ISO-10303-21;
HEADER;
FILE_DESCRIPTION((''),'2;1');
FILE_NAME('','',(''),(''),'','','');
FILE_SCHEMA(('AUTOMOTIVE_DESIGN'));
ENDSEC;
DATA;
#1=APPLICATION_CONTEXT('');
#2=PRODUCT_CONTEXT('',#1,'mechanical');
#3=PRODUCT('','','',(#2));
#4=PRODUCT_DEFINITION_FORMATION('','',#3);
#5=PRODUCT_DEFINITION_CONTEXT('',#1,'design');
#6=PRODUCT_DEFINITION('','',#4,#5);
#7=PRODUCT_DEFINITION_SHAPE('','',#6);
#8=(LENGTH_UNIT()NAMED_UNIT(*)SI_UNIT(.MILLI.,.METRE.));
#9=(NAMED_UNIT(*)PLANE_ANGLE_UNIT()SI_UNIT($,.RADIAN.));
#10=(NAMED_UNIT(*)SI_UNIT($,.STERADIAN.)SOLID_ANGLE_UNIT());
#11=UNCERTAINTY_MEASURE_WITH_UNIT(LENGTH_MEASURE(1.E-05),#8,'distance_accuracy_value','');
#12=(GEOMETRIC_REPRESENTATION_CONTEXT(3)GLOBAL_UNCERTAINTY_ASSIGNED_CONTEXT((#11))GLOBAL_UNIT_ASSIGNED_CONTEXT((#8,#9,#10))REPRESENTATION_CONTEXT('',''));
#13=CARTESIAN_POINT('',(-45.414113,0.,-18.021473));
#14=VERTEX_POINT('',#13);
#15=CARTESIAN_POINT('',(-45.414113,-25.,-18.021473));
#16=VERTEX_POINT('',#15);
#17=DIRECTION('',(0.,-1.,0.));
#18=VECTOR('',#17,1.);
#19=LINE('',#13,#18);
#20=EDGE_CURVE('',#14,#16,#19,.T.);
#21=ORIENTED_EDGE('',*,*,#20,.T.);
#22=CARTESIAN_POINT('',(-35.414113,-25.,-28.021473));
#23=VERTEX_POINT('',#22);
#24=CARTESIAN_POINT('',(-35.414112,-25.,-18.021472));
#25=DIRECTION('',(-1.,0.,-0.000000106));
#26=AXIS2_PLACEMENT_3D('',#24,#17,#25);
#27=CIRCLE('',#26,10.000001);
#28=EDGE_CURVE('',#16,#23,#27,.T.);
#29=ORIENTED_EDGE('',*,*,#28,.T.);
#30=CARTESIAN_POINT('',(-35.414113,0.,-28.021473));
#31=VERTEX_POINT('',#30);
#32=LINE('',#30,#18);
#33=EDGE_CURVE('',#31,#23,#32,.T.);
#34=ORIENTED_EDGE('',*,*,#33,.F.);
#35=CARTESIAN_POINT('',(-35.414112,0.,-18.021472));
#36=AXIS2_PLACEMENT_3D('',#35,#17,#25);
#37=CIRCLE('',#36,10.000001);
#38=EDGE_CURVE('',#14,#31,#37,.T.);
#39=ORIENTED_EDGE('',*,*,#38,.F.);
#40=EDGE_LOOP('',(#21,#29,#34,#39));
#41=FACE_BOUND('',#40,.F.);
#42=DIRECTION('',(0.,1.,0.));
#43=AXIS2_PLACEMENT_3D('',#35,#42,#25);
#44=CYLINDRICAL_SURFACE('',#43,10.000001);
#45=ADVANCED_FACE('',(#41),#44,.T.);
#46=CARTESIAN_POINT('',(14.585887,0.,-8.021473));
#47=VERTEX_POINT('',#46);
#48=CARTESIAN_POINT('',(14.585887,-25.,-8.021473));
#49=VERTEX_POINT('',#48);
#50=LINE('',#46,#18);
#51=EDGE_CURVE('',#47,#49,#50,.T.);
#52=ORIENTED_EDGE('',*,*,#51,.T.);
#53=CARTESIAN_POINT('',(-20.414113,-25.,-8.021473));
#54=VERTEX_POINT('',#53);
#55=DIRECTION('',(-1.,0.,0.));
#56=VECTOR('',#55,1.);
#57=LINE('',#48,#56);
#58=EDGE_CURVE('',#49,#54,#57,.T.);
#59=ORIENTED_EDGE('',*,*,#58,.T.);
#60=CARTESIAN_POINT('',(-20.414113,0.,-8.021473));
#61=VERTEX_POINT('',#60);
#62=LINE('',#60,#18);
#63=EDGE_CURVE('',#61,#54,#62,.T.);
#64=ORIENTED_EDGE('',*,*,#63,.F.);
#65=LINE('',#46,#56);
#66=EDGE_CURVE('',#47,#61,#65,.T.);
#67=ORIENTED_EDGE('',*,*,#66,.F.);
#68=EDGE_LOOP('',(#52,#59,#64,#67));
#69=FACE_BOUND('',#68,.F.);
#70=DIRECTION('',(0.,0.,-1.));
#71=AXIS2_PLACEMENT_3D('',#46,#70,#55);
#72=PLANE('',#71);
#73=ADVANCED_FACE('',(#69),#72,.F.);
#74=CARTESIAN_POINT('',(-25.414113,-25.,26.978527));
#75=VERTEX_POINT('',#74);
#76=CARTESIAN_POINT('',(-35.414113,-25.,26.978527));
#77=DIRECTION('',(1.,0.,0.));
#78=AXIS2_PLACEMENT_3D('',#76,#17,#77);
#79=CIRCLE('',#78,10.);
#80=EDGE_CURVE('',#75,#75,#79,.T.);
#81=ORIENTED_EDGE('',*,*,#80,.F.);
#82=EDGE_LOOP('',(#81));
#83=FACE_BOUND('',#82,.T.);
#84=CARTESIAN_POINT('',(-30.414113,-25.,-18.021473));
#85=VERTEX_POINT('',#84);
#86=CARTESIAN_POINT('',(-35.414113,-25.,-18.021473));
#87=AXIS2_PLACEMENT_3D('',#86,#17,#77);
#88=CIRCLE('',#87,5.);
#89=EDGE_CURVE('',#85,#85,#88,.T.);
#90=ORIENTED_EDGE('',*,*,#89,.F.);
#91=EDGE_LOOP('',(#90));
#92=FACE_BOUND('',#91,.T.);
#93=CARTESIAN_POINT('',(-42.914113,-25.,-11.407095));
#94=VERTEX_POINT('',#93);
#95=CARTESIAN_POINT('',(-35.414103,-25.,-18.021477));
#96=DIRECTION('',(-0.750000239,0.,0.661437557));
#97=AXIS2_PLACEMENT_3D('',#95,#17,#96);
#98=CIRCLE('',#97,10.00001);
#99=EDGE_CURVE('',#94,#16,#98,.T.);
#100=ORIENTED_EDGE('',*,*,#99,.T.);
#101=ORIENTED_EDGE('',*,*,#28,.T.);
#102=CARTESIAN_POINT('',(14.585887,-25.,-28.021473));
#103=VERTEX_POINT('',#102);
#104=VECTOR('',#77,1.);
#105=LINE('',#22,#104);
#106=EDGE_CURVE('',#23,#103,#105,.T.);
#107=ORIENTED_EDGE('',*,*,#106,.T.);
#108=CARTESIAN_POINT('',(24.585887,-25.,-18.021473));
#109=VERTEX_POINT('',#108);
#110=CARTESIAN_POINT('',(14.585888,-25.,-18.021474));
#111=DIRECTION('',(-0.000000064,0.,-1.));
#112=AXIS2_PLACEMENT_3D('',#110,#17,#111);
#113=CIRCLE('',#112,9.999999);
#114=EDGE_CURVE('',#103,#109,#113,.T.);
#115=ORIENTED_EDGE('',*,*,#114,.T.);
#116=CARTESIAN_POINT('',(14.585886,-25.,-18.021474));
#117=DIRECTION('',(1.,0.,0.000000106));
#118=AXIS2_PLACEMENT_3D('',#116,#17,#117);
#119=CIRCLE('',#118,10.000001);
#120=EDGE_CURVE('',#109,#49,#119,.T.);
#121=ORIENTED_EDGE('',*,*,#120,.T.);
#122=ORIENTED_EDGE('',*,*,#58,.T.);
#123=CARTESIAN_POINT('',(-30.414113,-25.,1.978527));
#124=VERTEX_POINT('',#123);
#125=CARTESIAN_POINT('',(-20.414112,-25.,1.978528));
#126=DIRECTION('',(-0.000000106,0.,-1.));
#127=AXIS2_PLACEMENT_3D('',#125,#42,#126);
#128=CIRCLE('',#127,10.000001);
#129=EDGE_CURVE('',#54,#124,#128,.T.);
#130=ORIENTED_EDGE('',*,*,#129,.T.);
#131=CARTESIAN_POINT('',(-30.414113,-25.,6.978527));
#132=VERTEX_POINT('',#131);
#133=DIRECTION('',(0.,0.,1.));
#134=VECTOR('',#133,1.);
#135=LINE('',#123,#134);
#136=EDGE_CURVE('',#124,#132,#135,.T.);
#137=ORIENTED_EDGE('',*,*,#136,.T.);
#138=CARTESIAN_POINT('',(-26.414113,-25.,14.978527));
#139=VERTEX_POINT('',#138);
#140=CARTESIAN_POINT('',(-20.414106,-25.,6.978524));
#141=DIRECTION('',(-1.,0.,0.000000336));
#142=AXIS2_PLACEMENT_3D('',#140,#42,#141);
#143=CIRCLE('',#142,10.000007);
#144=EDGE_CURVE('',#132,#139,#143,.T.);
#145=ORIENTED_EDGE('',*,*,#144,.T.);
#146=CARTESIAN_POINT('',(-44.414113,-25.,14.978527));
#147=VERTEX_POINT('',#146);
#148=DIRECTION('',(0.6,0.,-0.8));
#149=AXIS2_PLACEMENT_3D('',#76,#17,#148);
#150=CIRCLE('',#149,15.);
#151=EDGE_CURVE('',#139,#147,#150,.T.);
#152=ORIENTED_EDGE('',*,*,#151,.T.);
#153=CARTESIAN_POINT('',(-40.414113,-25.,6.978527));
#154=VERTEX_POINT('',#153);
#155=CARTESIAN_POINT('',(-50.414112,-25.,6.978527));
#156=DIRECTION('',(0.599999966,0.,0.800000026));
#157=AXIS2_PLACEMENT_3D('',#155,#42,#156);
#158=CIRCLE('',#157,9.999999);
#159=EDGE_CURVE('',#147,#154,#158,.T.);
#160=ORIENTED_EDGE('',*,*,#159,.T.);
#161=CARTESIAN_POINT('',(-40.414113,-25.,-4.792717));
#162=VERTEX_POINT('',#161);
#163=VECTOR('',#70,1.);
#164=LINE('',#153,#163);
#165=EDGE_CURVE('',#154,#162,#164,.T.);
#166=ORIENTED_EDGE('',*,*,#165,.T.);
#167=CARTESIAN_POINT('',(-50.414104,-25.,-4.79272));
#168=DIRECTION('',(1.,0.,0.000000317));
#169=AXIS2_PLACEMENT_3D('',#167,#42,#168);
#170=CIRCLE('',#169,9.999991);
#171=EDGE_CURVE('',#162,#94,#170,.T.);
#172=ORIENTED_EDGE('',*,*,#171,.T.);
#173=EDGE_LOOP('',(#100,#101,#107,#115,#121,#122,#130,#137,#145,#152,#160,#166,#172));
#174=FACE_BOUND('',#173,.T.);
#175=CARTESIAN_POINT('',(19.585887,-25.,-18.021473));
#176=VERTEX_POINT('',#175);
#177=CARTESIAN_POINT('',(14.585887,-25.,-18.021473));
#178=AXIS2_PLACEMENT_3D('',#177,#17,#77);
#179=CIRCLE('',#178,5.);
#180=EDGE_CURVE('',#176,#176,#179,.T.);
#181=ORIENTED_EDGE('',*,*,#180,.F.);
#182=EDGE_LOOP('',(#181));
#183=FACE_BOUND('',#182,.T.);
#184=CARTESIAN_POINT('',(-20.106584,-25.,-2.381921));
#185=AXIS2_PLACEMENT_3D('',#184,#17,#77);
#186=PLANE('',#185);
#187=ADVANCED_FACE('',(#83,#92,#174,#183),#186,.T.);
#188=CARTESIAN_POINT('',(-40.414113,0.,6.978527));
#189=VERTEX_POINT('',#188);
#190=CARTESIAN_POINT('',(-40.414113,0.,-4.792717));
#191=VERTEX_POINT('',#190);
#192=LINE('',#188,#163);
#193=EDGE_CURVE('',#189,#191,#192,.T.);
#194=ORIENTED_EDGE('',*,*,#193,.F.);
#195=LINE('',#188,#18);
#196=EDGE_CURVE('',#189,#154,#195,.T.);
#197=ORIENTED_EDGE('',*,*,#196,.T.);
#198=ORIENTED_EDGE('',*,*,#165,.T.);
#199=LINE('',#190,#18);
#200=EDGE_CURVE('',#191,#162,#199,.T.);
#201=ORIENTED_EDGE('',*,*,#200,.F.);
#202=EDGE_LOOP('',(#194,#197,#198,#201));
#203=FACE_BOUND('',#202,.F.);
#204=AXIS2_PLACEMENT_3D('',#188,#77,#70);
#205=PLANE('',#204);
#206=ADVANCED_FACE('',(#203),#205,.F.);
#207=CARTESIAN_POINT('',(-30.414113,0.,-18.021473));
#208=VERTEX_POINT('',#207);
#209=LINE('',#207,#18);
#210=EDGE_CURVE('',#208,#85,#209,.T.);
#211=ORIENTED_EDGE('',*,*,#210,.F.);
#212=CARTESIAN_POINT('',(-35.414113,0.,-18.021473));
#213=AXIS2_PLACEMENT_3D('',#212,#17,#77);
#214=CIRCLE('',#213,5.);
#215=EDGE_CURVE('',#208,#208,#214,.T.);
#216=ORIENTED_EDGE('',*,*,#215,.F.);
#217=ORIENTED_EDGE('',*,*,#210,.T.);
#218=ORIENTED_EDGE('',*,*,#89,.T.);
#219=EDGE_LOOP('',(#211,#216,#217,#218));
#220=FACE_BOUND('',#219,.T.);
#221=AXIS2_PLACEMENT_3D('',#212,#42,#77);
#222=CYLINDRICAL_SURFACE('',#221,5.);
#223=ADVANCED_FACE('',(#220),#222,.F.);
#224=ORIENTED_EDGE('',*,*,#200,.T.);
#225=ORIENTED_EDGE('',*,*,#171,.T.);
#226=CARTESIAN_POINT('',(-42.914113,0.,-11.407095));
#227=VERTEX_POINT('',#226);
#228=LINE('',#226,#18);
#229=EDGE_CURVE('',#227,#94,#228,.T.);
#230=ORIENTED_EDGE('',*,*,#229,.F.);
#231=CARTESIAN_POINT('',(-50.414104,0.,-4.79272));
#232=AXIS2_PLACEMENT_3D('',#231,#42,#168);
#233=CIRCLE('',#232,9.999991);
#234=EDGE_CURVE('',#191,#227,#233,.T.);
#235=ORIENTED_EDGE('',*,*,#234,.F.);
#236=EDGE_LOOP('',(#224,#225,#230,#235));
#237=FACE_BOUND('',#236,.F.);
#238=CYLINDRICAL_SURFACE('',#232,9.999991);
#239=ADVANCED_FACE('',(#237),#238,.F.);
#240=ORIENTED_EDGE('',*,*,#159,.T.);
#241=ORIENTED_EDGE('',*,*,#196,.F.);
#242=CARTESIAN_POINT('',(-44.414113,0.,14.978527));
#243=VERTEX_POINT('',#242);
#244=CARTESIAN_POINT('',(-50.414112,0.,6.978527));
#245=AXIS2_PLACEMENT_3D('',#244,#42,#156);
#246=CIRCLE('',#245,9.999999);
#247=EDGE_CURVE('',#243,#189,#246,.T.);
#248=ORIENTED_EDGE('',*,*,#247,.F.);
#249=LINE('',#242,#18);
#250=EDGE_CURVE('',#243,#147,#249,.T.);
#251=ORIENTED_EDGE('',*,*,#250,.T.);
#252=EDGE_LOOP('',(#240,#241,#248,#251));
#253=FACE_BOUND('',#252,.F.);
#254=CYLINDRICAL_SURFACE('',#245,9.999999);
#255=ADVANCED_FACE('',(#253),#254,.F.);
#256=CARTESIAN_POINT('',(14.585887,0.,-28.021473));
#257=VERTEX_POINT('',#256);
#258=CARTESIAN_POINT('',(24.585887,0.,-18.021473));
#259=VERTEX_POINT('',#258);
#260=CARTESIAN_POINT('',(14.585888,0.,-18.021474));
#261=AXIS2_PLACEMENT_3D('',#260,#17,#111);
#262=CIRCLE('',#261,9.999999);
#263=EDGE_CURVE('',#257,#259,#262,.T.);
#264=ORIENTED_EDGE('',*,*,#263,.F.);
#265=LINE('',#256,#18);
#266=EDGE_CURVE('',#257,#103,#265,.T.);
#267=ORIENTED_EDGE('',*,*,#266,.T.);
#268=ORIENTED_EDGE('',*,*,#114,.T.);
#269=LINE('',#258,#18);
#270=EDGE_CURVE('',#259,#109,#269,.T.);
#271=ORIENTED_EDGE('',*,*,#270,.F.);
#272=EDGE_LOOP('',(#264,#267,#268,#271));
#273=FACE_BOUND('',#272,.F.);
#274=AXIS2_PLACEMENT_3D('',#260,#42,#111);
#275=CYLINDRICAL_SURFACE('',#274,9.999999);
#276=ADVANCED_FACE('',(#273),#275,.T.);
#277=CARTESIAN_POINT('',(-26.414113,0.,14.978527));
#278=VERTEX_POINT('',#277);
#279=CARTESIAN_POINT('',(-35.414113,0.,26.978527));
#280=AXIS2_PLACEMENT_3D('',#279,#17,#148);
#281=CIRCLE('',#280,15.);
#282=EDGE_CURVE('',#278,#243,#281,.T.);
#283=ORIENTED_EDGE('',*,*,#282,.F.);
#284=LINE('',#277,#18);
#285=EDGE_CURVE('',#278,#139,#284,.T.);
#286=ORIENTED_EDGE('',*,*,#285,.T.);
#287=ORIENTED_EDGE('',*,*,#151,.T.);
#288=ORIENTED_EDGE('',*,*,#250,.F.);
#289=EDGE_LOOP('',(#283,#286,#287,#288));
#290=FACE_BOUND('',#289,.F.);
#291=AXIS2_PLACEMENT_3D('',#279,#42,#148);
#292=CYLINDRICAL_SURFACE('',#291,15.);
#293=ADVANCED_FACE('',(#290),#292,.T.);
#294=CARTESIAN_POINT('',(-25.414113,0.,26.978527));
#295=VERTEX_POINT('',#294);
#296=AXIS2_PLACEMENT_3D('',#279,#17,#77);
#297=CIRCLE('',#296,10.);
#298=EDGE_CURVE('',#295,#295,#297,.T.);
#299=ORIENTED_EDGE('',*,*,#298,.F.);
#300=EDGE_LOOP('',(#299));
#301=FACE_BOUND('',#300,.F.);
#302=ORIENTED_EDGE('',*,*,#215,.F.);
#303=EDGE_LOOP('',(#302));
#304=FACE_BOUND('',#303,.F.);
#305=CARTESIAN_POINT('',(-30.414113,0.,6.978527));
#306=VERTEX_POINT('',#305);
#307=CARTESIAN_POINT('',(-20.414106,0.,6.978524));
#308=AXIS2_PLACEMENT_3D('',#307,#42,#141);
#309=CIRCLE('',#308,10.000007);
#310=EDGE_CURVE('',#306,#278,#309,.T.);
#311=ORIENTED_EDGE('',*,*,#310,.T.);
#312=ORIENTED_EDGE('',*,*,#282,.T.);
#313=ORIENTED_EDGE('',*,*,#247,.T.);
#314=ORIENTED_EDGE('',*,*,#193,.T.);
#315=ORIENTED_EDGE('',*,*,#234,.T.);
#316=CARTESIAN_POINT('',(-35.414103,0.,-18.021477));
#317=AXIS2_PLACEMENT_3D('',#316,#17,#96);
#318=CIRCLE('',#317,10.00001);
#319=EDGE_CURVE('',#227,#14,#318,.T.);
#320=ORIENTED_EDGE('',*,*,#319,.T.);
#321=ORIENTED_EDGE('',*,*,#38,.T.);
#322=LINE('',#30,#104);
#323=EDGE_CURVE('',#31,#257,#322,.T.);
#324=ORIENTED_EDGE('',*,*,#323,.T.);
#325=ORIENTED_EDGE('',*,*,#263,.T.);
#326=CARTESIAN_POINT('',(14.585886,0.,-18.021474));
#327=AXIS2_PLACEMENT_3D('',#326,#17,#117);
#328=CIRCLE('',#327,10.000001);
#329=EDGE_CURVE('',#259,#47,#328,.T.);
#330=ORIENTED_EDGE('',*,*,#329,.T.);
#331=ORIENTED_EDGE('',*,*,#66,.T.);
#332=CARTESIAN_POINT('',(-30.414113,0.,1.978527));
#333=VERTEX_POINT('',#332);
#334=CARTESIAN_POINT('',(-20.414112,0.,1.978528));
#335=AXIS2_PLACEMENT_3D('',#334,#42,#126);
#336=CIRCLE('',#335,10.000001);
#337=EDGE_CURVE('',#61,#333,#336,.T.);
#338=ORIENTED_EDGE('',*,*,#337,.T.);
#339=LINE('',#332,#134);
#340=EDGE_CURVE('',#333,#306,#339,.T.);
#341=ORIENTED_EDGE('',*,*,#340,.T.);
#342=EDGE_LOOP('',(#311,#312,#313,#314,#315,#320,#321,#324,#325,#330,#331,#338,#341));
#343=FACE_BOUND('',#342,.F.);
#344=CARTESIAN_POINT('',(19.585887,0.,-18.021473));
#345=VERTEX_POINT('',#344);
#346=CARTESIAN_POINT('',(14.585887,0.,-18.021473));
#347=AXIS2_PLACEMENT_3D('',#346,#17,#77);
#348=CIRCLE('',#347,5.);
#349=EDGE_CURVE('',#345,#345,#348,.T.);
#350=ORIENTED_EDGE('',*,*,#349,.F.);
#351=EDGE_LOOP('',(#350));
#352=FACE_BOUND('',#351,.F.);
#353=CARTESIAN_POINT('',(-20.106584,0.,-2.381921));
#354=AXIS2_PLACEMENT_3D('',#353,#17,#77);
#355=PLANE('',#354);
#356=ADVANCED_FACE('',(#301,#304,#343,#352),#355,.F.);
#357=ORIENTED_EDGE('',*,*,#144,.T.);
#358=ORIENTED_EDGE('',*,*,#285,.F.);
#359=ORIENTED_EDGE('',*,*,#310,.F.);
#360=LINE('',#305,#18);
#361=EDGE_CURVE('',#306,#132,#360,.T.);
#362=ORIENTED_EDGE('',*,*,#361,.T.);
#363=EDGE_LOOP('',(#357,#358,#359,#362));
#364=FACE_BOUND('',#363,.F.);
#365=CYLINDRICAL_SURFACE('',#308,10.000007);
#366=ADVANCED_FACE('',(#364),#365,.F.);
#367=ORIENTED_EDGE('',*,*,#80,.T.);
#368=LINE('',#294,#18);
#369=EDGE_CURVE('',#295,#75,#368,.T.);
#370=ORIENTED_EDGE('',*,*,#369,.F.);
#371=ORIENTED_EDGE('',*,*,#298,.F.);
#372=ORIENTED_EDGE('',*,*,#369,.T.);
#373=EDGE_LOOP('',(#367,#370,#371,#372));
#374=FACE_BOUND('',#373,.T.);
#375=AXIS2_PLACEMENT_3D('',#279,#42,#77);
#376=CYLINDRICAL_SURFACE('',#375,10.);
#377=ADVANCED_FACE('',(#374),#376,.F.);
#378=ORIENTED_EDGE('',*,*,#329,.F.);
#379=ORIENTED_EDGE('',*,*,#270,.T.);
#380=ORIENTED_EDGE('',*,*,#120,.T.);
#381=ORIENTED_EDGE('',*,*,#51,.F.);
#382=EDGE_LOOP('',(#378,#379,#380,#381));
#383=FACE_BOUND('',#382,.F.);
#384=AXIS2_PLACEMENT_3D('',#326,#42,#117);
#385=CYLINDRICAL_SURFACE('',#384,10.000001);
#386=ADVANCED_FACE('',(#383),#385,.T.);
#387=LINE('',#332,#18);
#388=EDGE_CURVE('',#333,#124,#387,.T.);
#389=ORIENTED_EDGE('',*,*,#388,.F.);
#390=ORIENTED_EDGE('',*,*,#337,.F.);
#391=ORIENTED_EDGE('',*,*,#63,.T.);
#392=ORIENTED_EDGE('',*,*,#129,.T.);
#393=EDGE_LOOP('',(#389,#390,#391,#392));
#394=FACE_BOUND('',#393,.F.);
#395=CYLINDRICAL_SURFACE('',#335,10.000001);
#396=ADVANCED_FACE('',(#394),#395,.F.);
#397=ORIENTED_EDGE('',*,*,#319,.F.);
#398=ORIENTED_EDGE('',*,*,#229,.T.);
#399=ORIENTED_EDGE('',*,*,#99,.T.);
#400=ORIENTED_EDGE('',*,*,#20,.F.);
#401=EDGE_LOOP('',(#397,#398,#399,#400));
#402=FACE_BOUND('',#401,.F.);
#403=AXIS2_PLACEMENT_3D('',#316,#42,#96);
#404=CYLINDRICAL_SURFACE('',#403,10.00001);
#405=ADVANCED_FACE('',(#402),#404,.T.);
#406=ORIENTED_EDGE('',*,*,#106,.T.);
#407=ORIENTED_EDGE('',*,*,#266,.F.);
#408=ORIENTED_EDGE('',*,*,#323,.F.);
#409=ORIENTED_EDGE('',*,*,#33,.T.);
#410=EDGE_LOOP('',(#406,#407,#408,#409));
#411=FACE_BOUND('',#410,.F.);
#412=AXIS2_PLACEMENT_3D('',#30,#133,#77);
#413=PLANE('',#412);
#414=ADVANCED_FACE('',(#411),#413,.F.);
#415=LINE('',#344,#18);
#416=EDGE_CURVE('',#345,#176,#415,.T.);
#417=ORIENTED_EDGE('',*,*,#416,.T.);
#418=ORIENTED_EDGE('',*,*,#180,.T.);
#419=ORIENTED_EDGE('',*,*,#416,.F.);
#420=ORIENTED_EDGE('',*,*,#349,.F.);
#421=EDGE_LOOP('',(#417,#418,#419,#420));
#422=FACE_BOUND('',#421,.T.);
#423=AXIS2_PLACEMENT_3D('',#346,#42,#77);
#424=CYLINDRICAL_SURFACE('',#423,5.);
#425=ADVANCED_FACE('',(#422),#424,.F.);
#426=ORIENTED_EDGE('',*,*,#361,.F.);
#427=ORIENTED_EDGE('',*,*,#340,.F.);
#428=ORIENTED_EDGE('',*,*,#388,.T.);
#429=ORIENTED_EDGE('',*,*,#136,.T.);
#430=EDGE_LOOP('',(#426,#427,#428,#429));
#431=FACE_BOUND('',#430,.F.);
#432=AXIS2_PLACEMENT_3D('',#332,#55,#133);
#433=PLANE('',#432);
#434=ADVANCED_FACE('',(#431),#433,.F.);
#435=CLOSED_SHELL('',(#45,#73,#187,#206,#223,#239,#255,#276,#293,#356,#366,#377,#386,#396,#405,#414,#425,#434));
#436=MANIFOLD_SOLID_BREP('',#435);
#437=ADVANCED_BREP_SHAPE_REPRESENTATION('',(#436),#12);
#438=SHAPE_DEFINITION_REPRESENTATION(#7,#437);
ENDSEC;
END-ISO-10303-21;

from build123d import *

# Parameters (mm, degrees)
F0_R     = 5
F0_R_2   = 10
F1_DEPTH = 25


with BuildPart() as f1:
    # F0 (on Front) → F1 (new body)
    with BuildSketch(Plane.XZ):
        with BuildLine():
            ThreePointArc((-45.414113, -18.021473), (-42.48518, -25.092541), (-35.414113, -28.021473))
            Line((-35.414113, -28.021473), (14.585887, -28.021473))
            ThreePointArc((14.585887, -28.021473), (21.656955, -25.092541), (24.585887, -18.021473))
            ThreePointArc((24.585887, -18.021473), (21.656955, -10.950406), (14.585887, -8.021473))
            Line((14.585887, -8.021473), (-11.111964, -8.021473))
            Line((-11.111964, -8.021473), (-20.414113, -8.021473))
            ThreePointArc((-20.414113, -8.021473), (-27.48518, -5.092541), (-30.414113, 1.978527))
            Line((-30.414113, 1.978527), (-30.414113, 6.978527))
            ThreePointArc((-30.414113, 6.978527), (-29.358384, 11.450663), (-26.414113, 14.978527))
            ThreePointArc((-26.414113, 14.978527), (-35.414113, 41.978527), (-44.414113, 14.978527))
            ThreePointArc((-44.414113, 14.978527), (-41.469841, 11.450663), (-40.414113, 6.978527))
            Line((-40.414113, 6.978527), (-40.414113, -4.792717))
            ThreePointArc((-40.414113, -4.792717), (-41.059969, -8.328251), (-42.914113, -11.407095))
            ThreePointArc((-42.914113, -11.407095), (-44.768256, -14.48594), (-45.414113, -18.021473))
        make_face()
        with Locations((-35.414113, -18.021473)):
            Circle(F0_R, mode=Mode.SUBTRACT)
        with Locations((14.585887, -18.021473)):
            Circle(F0_R, mode=Mode.SUBTRACT)
        with Locations((-35.414113, 26.978527)):
            Circle(F0_R_2, mode=Mode.SUBTRACT)
    extrude(amount=F1_DEPTH)


solid = f1.part
